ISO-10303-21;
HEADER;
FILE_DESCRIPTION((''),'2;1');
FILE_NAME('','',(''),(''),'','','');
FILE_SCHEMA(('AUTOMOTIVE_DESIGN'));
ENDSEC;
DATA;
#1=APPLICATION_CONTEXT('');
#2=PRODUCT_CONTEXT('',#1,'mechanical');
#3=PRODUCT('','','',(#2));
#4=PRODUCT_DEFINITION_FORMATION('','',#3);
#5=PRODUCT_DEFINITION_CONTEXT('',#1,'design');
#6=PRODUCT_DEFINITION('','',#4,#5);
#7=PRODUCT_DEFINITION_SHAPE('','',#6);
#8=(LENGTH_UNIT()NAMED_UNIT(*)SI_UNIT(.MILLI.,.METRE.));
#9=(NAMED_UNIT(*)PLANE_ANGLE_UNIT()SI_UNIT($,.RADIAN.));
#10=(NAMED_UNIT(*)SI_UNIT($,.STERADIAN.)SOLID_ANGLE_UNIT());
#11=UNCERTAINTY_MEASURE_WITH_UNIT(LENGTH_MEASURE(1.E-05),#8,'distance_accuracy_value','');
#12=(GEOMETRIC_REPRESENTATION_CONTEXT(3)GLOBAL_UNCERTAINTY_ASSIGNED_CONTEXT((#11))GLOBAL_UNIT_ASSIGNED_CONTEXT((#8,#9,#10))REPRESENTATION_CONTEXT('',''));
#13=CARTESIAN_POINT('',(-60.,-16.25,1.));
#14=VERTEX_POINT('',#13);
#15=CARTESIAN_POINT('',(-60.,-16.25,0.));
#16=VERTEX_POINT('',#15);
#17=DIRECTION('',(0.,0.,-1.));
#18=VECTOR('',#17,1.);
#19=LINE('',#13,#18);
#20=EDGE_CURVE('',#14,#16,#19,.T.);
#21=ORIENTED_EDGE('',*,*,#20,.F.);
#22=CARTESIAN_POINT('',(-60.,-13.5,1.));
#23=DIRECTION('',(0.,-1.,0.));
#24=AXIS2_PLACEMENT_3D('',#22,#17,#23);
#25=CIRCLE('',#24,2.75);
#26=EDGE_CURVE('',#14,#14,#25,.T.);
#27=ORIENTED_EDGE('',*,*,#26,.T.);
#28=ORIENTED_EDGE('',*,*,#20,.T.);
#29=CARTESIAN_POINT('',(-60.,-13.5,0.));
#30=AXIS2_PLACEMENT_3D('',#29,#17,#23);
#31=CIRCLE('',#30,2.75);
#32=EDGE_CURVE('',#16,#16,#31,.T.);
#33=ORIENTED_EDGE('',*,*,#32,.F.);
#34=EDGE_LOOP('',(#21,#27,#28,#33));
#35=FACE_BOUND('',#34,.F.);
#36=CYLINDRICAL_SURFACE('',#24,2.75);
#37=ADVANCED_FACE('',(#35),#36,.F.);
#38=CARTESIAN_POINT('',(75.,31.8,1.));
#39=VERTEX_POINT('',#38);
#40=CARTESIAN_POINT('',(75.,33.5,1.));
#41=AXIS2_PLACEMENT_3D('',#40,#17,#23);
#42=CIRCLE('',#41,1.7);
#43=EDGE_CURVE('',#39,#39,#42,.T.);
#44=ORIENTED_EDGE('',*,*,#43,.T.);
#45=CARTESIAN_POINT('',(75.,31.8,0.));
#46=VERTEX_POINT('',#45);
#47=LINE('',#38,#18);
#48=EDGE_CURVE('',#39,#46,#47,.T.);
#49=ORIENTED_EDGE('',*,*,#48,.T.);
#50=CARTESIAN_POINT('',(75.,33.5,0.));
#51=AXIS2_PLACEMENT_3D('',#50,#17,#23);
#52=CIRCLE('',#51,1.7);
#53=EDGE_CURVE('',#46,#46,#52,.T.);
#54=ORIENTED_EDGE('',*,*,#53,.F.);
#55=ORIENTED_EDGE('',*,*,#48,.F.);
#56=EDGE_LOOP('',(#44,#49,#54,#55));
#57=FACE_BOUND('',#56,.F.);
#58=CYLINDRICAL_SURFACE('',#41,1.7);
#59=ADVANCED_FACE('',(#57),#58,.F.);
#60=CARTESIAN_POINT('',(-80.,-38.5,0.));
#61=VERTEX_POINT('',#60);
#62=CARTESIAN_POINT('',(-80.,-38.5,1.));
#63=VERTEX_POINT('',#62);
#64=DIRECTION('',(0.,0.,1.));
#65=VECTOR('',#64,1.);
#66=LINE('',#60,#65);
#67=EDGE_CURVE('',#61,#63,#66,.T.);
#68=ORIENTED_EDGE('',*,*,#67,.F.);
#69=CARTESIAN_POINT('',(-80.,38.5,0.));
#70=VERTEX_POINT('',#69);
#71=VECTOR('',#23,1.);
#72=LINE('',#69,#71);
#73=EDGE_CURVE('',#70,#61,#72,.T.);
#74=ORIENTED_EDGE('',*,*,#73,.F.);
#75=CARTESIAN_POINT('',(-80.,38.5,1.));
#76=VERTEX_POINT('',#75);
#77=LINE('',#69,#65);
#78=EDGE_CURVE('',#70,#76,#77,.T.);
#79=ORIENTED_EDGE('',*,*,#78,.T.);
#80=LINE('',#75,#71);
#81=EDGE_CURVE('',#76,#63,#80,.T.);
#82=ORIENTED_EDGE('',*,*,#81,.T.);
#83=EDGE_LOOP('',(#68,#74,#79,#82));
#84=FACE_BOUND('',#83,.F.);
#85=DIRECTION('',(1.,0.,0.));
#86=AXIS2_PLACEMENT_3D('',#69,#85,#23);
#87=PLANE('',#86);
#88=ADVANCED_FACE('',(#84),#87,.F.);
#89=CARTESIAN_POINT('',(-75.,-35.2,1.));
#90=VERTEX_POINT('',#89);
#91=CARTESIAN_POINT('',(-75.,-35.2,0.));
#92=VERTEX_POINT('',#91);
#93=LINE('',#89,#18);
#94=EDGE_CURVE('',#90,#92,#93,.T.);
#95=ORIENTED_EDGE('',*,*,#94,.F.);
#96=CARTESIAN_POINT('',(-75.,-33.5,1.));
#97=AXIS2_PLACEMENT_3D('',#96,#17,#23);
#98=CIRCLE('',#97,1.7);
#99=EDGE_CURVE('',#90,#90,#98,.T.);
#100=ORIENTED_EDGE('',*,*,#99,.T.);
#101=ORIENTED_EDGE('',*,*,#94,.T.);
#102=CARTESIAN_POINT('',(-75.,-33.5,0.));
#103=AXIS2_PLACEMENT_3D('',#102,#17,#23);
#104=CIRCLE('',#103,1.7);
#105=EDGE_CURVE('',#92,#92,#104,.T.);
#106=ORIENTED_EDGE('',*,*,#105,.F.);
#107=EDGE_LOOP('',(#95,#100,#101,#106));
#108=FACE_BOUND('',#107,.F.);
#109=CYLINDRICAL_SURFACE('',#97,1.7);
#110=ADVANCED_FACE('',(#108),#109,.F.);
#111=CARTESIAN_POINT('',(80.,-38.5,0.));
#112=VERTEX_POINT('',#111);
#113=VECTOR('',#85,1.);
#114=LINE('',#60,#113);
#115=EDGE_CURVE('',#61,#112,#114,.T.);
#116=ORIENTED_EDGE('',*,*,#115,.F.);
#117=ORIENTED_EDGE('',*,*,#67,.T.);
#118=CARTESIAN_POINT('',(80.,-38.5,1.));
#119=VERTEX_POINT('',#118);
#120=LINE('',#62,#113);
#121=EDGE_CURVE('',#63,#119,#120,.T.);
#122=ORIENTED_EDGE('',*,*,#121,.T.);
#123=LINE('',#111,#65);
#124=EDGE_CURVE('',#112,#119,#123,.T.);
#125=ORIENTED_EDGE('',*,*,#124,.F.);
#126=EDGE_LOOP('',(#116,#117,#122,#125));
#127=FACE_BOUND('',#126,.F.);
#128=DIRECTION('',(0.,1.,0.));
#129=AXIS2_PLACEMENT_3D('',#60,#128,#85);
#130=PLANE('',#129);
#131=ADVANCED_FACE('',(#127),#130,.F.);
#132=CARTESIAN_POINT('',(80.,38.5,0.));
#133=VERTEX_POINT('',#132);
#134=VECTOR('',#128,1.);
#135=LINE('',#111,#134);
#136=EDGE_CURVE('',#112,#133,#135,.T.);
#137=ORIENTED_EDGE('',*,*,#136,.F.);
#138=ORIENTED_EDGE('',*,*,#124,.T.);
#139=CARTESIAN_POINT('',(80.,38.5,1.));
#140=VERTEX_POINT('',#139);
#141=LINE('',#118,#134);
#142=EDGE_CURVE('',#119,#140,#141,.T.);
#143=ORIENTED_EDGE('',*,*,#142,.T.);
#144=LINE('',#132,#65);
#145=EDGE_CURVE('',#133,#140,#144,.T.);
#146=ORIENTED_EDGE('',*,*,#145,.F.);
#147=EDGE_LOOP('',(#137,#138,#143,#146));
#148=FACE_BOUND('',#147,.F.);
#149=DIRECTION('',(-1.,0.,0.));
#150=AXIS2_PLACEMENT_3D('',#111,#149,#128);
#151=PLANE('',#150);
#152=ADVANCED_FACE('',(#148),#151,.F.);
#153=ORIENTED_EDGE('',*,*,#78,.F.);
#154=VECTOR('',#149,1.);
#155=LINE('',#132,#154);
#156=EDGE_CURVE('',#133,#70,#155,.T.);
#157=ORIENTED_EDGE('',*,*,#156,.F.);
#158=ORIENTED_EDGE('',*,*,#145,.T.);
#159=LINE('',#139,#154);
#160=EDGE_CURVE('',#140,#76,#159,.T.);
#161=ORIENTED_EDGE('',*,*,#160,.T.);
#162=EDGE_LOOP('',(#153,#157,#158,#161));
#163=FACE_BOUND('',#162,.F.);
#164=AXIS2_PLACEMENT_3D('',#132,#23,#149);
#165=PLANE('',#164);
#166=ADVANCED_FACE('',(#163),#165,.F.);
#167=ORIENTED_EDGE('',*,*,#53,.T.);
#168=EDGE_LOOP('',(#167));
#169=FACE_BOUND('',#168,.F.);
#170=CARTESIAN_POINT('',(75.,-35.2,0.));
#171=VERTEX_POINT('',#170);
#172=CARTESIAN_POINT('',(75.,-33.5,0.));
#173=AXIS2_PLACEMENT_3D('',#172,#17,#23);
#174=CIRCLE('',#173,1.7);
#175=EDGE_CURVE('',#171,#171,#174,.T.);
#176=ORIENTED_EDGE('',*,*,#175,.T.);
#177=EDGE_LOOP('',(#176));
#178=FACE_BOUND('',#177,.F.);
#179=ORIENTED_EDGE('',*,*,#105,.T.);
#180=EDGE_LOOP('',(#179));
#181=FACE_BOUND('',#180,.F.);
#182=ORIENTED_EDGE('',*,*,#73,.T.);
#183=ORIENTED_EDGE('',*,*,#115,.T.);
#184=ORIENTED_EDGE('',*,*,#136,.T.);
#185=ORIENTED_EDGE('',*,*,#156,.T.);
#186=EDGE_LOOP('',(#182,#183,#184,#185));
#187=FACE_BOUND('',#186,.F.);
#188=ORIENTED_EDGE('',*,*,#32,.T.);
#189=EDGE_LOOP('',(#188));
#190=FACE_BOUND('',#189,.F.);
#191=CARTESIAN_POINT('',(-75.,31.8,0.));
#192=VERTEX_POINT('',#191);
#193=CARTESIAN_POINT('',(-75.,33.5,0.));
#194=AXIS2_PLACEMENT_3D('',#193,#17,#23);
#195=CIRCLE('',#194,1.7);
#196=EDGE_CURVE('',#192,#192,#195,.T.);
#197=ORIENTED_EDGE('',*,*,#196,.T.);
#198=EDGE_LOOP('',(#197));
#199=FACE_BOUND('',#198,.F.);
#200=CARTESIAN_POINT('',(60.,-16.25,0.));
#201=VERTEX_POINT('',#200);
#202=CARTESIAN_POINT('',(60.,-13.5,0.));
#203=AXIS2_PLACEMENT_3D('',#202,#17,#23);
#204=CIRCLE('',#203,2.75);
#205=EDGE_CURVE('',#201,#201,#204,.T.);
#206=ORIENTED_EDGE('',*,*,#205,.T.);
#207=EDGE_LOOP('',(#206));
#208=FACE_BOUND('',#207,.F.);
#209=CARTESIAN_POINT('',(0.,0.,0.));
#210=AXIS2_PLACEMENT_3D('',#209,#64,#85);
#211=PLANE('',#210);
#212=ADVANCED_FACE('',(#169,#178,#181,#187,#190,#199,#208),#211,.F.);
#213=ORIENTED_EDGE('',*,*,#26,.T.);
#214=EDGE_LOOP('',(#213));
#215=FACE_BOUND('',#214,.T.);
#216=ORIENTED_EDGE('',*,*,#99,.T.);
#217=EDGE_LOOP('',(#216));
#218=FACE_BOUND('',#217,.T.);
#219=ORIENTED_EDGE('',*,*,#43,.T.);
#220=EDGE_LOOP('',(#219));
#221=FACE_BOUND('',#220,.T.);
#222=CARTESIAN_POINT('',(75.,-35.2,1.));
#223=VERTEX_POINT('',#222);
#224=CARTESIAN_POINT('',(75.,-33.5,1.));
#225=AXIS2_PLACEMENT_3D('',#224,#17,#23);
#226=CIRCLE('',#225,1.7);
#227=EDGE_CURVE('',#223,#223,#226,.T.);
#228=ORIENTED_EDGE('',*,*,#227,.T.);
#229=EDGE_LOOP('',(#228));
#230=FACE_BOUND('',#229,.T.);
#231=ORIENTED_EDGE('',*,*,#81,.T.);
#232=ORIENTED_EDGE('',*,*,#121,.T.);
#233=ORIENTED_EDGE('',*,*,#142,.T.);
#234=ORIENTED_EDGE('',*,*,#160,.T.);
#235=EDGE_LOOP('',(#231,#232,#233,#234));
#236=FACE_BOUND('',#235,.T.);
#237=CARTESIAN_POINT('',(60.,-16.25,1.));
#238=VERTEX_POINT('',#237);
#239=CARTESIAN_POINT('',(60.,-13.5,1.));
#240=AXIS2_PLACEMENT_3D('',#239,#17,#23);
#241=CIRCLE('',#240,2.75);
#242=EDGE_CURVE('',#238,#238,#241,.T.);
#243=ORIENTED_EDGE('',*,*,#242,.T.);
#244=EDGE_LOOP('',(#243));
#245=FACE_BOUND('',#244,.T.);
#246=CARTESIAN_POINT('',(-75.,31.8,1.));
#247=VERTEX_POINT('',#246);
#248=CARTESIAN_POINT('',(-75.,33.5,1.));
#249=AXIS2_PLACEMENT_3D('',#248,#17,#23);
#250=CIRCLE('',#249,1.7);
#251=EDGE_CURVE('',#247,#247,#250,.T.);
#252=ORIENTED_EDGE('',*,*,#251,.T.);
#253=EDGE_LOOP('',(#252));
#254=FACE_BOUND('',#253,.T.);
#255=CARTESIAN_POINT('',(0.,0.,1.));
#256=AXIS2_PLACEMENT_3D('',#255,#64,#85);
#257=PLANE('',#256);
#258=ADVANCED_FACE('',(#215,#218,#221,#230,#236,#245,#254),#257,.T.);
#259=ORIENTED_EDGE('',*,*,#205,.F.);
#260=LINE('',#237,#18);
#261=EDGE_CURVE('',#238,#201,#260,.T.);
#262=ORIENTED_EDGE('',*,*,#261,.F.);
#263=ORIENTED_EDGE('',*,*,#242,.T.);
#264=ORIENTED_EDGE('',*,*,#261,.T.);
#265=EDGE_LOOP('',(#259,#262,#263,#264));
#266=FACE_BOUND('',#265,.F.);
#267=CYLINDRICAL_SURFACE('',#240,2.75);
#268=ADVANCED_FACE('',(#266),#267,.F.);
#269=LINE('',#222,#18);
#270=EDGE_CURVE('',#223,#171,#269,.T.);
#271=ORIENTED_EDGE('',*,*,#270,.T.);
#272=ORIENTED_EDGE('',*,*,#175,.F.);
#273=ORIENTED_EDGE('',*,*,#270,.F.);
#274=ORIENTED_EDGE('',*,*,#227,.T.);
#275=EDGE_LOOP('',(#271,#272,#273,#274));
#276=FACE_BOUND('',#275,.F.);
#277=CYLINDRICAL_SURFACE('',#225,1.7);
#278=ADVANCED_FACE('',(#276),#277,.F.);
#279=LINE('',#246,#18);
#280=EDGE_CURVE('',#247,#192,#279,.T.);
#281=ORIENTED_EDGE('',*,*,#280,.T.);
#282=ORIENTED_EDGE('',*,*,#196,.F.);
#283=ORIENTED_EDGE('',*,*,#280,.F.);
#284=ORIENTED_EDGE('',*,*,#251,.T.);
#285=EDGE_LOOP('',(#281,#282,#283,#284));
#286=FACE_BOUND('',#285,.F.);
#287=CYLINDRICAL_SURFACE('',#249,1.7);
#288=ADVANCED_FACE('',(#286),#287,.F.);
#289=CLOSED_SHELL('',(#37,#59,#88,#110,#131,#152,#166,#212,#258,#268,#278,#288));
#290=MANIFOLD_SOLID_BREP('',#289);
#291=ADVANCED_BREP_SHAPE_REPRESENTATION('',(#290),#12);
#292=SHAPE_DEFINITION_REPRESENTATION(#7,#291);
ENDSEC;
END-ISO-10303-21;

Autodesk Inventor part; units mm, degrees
ref_plane "YZ Plane" through (0, 0, 0) normal (1, 0, 0) x (0, 1, 0)
ref_plane "XZ Plane" through (0, 0, 0) normal (0, 1, 0) x (-1, 0, 0)
ref_plane "XY Plane" through (0, 0, 0) normal (0, 0, 1) x (1, 0, 0)
sketch "スケッチ1" plane through (0, 0, 0) normal (0, 0, 1) x (1, 0, 0)
  line L0 (-80, -38.5) -> (80, -38.5)
  line L1 (80, -38.5) -> (80, 38.5)
  line L2 (80, 38.5) -> (-80, 38.5)
  line L3 (-80, 38.5) -> (-80, -38.5)
  line L4 (-80, -38.5) -> (80, 38.5) construction
  line L5 (80, -38.5) -> (-80, 38.5) construction
  point P0 (0, 0)
  dimension "d0" = 160
  dimension "d1" = 77
extrude "プレート1" add sketch "スケッチ1" along normal blind 1
sketch "スケッチ2" plane through (0, 0, 1) normal (0, 0, 1) x (1, 0, 0)
  line L0 (-80, -38.5) -> (-80, 38.5) projected
  line L1 (80, -38.5) -> (-80, -38.5) projected
  line L2 (80, 38.5) -> (80, -38.5) projected
  line L3 (-80, 38.5) -> (80, 38.5) projected
  line L4 (75, 33.5) -> (75, -33.5)
  line L5 (75, -33.5) -> (-75, -33.5)
  line L6 (-75, -33.5) -> (-75, 33.5)
  line L7 (-75, 33.5) -> (75, 33.5)
  point P0 (0, 0)
  dimension "d3" = 5
hole "穴1" at (-75, 33.5, 1) at (-75, -33.5, 1) at (75, -33.5, 1) at (75, 33.5, 1) direction (0, 0, -1) diameter 3.4 depth 1 clearance for "Flat Head Machine Screw" size "M3" standard "Ansi Metric M Profile"
sketch "スケッチ3" plane through (0, 0, 1) normal (0, 0, 1) x (1, 0, 0)
  line L0 (80, -38.5) -> (-80, -38.5) projected
  point P0 (0, 0)
  point P1 (-60, -13.5)
  point P2 (60, -13.5)
  dimension "d11" = 60
  dimension "d12" = 60
  dimension "d13" = 25
  dimension "d14" = 25
hole "穴2" at (-60, -13.5, 1) at (60, -13.5, 1) direction (0, 0, -1) diameter 5.5 end through all clearance for "Flat Head Machine Screw" size "M5" standard "Ansi Metric M Profile"
equation "\"d9\" = Thickness"
equation "\"d20\" = Thickness"
equation "\"d2\" = Thickness"
equation "\"BendRadius\" = Thickness"
equation "\"BendReliefWidth\" = Thickness"
equation "\"BendReliefDepth\" = 0.5 * Thickness"
equation "\"CornerReliefSize\" = 4 * Thickness"
equation "\"MinimumRemnant\" = 2 * Thickness"
equation "\"TransitionRadius\" = BendRadius"
equation "\"JacobiRadiusSize\" = Thickness"
equation "\"GapSize\" = Thickness"
equation "\"Thickness\" = 1"
properties part number "plate4" material "CFRP"
